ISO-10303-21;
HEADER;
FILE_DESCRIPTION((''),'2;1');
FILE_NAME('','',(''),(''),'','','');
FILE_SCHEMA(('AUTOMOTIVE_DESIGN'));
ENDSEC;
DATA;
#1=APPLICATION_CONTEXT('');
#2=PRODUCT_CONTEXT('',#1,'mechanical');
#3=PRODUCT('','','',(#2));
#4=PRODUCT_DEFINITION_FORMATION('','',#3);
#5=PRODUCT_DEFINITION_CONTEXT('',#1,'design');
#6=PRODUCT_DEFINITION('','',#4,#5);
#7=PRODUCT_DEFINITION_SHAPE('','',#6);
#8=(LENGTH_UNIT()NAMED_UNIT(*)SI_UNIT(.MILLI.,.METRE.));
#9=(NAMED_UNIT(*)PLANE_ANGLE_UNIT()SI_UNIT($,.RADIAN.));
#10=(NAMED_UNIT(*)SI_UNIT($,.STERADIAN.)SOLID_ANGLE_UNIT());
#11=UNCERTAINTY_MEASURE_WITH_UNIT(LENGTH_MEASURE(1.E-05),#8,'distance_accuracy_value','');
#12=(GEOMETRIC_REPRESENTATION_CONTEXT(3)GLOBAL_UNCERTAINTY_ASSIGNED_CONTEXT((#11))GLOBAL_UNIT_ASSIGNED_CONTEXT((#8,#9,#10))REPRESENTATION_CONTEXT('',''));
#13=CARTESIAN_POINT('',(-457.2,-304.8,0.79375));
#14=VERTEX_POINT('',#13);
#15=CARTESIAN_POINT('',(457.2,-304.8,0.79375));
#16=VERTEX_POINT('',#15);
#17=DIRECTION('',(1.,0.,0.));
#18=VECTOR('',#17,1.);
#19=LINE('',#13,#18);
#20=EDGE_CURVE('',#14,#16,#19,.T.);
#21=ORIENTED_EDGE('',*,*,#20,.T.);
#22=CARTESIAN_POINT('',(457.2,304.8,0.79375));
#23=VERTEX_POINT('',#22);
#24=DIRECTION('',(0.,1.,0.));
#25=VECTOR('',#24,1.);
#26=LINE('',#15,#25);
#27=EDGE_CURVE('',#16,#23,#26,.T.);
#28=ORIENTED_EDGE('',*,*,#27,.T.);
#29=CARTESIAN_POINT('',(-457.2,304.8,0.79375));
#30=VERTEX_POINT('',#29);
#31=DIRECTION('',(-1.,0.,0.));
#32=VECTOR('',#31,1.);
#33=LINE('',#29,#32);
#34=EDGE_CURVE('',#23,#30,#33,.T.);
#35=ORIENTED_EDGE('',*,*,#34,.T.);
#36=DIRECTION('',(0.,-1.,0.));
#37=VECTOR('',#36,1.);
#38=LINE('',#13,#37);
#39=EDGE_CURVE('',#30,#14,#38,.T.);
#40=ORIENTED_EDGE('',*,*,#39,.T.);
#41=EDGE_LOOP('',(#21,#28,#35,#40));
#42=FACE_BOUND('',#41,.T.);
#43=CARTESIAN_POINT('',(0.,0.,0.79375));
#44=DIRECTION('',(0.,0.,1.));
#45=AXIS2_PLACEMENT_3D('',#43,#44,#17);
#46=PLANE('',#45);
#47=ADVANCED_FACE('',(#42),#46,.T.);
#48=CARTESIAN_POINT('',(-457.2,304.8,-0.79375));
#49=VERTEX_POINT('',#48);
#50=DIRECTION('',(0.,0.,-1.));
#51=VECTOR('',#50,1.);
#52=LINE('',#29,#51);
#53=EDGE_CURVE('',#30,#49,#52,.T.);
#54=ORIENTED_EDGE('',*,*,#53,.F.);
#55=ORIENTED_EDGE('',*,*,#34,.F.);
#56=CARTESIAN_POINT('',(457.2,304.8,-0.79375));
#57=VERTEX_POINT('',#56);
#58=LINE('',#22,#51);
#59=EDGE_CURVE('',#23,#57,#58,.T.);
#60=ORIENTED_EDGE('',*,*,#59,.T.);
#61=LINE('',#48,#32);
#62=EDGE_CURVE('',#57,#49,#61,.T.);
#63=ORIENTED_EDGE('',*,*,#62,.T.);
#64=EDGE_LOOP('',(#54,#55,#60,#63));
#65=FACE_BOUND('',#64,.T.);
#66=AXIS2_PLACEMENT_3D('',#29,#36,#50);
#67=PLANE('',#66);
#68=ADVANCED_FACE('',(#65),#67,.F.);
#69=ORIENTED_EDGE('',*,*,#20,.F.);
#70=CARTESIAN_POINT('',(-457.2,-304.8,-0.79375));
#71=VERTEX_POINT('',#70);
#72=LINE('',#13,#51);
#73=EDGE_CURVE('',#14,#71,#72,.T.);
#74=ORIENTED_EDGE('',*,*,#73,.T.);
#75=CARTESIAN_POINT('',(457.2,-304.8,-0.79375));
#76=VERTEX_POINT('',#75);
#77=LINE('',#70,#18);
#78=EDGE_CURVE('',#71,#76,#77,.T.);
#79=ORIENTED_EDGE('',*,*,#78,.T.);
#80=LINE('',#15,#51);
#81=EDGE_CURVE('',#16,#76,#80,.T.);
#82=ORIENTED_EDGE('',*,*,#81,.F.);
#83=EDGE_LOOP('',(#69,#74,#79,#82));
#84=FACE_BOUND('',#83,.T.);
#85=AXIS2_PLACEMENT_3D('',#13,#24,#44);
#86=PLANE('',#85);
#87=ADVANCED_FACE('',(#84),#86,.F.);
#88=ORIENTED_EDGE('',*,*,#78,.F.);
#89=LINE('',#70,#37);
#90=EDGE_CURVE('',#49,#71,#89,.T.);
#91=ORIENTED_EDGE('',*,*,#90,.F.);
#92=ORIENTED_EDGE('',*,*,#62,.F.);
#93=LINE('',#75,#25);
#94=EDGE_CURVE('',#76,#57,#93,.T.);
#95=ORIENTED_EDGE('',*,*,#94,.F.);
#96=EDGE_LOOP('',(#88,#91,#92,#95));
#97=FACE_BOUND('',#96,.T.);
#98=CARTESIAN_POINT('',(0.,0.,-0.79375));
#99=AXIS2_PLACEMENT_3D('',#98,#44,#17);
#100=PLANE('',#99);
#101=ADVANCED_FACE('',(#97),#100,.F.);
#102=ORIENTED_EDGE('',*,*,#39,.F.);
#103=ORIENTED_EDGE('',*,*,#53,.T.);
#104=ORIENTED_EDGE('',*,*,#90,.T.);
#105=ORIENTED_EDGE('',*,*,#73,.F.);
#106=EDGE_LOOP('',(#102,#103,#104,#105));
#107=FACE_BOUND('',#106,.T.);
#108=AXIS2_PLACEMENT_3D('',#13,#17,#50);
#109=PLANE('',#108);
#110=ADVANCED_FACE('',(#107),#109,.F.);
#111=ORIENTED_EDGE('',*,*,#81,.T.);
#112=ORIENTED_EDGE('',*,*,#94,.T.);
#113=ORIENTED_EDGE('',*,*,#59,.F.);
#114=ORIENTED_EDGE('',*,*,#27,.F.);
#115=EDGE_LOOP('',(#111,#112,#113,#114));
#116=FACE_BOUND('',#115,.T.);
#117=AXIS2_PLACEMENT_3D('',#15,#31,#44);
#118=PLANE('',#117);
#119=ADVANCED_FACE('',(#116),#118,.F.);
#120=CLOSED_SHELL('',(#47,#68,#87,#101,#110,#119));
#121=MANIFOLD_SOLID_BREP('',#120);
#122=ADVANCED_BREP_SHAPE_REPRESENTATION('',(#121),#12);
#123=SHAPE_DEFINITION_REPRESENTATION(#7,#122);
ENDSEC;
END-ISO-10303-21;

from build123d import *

# Parameters (mm, degrees)
SKETCH3_W           = 914.4
SKETCH3_H           = 609.6
BOSS_EXTRUDE1_DEPTH = 0.79375


with BuildPart() as part:
    # Sketch3 → Boss-Extrude1 (new, symmetric)
    with BuildSketch(Plane.XY):
        Rectangle(SKETCH3_W, SKETCH3_H)
    extrude(amount=BOSS_EXTRUDE1_DEPTH, both=True)


solid = part.part
